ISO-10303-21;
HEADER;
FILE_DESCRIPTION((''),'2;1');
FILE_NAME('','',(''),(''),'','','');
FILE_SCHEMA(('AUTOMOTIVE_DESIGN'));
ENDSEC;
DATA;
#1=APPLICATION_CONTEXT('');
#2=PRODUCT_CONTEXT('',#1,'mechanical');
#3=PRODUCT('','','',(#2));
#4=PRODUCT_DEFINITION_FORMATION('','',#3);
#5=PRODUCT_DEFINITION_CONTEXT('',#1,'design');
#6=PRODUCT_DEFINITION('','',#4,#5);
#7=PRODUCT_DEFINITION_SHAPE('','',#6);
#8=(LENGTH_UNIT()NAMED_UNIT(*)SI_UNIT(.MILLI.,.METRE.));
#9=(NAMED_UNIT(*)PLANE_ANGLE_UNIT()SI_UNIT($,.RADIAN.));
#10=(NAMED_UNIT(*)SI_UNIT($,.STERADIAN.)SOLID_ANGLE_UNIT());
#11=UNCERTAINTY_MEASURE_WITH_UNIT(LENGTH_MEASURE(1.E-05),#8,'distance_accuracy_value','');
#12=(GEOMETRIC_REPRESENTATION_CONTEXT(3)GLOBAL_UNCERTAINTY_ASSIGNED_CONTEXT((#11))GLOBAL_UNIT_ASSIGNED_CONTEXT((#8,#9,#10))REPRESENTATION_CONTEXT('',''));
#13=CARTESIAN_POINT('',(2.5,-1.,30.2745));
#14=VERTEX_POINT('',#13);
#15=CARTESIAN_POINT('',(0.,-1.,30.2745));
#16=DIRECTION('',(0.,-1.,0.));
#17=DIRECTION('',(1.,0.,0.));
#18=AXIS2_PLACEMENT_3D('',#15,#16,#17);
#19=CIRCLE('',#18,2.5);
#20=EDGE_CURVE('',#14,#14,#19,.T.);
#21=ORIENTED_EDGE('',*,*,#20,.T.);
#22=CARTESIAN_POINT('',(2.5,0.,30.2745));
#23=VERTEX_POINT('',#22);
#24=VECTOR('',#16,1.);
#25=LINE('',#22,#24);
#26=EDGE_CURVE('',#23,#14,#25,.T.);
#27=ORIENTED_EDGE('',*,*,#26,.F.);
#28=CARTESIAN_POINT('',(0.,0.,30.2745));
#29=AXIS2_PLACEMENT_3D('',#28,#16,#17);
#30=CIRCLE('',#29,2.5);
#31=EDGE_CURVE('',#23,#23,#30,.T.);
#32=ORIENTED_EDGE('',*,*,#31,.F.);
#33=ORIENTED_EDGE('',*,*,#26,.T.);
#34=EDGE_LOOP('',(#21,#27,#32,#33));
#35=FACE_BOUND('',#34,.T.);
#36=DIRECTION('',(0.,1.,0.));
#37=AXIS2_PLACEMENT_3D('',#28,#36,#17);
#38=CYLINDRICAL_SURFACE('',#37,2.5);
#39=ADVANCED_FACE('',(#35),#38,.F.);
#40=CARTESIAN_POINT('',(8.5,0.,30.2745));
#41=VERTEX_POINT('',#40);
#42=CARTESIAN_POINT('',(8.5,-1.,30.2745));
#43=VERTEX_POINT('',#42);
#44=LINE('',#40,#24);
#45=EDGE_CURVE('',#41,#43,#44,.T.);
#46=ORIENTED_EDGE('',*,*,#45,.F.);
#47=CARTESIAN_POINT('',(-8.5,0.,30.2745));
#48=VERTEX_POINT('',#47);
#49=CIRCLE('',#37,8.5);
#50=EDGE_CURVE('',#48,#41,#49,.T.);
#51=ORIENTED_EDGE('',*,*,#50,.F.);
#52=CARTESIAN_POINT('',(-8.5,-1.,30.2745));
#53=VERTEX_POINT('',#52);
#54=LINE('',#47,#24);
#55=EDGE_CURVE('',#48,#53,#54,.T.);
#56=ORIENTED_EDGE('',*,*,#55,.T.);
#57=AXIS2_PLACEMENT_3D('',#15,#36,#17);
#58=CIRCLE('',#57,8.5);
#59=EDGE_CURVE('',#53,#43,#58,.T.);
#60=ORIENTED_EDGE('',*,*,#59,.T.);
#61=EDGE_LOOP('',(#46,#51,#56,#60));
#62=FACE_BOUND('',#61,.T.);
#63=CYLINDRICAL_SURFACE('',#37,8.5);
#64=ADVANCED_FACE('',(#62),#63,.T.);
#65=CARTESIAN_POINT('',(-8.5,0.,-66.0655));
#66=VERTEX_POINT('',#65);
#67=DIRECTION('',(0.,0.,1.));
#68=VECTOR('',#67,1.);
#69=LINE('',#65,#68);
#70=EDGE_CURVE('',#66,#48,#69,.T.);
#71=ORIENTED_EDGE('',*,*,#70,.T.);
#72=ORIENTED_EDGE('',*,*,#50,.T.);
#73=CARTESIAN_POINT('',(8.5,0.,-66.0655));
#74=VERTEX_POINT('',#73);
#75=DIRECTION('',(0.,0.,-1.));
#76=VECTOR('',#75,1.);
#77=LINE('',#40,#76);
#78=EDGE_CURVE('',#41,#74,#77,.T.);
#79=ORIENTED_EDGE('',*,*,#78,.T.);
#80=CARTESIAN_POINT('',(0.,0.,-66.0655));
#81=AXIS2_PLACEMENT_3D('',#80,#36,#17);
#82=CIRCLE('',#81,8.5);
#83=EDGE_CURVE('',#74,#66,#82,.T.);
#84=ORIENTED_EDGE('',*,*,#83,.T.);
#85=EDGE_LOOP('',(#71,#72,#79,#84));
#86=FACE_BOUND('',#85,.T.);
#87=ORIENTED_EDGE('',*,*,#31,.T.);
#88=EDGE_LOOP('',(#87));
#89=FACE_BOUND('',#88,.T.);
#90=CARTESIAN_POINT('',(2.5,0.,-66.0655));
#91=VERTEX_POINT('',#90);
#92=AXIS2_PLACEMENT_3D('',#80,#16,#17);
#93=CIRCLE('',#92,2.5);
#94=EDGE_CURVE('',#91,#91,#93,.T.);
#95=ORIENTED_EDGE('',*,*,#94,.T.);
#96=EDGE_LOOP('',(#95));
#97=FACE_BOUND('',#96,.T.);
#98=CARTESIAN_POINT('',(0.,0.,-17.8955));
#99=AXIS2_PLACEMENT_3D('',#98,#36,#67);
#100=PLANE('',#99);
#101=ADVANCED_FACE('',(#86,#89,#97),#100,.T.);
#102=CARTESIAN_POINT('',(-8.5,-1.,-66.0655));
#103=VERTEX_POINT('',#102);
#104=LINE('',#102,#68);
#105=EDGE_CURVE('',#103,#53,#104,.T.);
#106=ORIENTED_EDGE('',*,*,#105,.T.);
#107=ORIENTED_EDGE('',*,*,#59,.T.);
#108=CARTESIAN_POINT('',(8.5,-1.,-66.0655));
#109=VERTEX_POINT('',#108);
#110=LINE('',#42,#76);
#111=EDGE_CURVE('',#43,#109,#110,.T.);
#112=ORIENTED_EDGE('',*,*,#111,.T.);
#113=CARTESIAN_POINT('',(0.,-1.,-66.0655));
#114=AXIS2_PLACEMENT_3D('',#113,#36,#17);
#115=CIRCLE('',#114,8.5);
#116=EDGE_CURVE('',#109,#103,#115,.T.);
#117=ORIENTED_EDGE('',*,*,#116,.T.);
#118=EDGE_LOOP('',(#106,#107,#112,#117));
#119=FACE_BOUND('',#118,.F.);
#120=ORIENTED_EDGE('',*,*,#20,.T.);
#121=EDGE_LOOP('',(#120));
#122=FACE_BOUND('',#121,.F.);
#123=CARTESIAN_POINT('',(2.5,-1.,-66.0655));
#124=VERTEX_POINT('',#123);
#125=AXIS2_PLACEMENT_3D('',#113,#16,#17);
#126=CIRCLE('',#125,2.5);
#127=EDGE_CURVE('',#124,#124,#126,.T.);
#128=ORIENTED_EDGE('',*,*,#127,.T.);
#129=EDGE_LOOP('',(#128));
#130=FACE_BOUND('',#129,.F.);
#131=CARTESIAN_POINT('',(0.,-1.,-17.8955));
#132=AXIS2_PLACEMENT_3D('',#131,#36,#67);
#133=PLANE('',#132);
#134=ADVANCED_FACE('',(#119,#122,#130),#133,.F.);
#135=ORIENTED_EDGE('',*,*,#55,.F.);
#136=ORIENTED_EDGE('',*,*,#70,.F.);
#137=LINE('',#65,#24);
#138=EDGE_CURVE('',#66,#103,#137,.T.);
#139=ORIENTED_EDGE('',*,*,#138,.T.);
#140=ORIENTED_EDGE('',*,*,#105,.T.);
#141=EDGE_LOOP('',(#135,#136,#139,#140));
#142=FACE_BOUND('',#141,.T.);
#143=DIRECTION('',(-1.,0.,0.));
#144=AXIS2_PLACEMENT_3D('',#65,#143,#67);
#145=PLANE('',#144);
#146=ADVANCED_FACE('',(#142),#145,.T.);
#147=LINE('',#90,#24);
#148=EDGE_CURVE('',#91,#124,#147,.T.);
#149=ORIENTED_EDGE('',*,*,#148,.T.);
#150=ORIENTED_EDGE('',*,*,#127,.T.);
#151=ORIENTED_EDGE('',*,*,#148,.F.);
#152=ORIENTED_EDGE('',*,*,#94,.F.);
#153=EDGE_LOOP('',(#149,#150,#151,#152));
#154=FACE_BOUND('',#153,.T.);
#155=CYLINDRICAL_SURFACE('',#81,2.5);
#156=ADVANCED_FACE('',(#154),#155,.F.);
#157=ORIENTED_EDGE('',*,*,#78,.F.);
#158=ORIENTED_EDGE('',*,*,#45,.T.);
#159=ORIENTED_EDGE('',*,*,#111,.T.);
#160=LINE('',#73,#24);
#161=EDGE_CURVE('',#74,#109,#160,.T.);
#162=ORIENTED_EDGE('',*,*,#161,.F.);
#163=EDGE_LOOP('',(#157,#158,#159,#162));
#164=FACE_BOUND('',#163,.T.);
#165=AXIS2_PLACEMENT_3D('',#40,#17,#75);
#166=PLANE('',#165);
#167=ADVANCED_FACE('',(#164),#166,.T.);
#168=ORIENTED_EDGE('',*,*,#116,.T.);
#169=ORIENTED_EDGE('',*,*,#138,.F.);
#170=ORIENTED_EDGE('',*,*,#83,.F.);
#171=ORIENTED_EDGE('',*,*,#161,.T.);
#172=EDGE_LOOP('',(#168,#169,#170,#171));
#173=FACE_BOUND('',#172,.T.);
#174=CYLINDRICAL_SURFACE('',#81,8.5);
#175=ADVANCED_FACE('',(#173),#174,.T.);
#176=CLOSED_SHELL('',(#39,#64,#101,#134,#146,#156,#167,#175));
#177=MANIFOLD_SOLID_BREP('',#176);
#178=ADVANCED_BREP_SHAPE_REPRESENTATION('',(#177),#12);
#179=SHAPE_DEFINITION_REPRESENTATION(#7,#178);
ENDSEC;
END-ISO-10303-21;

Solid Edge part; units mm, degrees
sketch "Sketch1" plane through (0, 0, 0) normal (0, -1, 0) x (1, 0, 0)
  circle A0 centre (0, 30.2745) radius 2.5
  line L0 (-8.5, -66.0655) -> (-8.5, 30.2745)
  line L1 (8.5, 30.2745) -> (8.5, -66.0655)
  arc A1 (-8.5, 30.2745) -> (8.5, 30.2745) centre (0, 30.2745) cw
  arc A2 (8.5, -66.0655) -> (-8.5, -66.0655) centre (0, -66.0655) cw
  circle A3 centre (0, -66.0655) radius 2.5
extrude "Protrusion1" add sketch "Sketch1" along normal blind 1
